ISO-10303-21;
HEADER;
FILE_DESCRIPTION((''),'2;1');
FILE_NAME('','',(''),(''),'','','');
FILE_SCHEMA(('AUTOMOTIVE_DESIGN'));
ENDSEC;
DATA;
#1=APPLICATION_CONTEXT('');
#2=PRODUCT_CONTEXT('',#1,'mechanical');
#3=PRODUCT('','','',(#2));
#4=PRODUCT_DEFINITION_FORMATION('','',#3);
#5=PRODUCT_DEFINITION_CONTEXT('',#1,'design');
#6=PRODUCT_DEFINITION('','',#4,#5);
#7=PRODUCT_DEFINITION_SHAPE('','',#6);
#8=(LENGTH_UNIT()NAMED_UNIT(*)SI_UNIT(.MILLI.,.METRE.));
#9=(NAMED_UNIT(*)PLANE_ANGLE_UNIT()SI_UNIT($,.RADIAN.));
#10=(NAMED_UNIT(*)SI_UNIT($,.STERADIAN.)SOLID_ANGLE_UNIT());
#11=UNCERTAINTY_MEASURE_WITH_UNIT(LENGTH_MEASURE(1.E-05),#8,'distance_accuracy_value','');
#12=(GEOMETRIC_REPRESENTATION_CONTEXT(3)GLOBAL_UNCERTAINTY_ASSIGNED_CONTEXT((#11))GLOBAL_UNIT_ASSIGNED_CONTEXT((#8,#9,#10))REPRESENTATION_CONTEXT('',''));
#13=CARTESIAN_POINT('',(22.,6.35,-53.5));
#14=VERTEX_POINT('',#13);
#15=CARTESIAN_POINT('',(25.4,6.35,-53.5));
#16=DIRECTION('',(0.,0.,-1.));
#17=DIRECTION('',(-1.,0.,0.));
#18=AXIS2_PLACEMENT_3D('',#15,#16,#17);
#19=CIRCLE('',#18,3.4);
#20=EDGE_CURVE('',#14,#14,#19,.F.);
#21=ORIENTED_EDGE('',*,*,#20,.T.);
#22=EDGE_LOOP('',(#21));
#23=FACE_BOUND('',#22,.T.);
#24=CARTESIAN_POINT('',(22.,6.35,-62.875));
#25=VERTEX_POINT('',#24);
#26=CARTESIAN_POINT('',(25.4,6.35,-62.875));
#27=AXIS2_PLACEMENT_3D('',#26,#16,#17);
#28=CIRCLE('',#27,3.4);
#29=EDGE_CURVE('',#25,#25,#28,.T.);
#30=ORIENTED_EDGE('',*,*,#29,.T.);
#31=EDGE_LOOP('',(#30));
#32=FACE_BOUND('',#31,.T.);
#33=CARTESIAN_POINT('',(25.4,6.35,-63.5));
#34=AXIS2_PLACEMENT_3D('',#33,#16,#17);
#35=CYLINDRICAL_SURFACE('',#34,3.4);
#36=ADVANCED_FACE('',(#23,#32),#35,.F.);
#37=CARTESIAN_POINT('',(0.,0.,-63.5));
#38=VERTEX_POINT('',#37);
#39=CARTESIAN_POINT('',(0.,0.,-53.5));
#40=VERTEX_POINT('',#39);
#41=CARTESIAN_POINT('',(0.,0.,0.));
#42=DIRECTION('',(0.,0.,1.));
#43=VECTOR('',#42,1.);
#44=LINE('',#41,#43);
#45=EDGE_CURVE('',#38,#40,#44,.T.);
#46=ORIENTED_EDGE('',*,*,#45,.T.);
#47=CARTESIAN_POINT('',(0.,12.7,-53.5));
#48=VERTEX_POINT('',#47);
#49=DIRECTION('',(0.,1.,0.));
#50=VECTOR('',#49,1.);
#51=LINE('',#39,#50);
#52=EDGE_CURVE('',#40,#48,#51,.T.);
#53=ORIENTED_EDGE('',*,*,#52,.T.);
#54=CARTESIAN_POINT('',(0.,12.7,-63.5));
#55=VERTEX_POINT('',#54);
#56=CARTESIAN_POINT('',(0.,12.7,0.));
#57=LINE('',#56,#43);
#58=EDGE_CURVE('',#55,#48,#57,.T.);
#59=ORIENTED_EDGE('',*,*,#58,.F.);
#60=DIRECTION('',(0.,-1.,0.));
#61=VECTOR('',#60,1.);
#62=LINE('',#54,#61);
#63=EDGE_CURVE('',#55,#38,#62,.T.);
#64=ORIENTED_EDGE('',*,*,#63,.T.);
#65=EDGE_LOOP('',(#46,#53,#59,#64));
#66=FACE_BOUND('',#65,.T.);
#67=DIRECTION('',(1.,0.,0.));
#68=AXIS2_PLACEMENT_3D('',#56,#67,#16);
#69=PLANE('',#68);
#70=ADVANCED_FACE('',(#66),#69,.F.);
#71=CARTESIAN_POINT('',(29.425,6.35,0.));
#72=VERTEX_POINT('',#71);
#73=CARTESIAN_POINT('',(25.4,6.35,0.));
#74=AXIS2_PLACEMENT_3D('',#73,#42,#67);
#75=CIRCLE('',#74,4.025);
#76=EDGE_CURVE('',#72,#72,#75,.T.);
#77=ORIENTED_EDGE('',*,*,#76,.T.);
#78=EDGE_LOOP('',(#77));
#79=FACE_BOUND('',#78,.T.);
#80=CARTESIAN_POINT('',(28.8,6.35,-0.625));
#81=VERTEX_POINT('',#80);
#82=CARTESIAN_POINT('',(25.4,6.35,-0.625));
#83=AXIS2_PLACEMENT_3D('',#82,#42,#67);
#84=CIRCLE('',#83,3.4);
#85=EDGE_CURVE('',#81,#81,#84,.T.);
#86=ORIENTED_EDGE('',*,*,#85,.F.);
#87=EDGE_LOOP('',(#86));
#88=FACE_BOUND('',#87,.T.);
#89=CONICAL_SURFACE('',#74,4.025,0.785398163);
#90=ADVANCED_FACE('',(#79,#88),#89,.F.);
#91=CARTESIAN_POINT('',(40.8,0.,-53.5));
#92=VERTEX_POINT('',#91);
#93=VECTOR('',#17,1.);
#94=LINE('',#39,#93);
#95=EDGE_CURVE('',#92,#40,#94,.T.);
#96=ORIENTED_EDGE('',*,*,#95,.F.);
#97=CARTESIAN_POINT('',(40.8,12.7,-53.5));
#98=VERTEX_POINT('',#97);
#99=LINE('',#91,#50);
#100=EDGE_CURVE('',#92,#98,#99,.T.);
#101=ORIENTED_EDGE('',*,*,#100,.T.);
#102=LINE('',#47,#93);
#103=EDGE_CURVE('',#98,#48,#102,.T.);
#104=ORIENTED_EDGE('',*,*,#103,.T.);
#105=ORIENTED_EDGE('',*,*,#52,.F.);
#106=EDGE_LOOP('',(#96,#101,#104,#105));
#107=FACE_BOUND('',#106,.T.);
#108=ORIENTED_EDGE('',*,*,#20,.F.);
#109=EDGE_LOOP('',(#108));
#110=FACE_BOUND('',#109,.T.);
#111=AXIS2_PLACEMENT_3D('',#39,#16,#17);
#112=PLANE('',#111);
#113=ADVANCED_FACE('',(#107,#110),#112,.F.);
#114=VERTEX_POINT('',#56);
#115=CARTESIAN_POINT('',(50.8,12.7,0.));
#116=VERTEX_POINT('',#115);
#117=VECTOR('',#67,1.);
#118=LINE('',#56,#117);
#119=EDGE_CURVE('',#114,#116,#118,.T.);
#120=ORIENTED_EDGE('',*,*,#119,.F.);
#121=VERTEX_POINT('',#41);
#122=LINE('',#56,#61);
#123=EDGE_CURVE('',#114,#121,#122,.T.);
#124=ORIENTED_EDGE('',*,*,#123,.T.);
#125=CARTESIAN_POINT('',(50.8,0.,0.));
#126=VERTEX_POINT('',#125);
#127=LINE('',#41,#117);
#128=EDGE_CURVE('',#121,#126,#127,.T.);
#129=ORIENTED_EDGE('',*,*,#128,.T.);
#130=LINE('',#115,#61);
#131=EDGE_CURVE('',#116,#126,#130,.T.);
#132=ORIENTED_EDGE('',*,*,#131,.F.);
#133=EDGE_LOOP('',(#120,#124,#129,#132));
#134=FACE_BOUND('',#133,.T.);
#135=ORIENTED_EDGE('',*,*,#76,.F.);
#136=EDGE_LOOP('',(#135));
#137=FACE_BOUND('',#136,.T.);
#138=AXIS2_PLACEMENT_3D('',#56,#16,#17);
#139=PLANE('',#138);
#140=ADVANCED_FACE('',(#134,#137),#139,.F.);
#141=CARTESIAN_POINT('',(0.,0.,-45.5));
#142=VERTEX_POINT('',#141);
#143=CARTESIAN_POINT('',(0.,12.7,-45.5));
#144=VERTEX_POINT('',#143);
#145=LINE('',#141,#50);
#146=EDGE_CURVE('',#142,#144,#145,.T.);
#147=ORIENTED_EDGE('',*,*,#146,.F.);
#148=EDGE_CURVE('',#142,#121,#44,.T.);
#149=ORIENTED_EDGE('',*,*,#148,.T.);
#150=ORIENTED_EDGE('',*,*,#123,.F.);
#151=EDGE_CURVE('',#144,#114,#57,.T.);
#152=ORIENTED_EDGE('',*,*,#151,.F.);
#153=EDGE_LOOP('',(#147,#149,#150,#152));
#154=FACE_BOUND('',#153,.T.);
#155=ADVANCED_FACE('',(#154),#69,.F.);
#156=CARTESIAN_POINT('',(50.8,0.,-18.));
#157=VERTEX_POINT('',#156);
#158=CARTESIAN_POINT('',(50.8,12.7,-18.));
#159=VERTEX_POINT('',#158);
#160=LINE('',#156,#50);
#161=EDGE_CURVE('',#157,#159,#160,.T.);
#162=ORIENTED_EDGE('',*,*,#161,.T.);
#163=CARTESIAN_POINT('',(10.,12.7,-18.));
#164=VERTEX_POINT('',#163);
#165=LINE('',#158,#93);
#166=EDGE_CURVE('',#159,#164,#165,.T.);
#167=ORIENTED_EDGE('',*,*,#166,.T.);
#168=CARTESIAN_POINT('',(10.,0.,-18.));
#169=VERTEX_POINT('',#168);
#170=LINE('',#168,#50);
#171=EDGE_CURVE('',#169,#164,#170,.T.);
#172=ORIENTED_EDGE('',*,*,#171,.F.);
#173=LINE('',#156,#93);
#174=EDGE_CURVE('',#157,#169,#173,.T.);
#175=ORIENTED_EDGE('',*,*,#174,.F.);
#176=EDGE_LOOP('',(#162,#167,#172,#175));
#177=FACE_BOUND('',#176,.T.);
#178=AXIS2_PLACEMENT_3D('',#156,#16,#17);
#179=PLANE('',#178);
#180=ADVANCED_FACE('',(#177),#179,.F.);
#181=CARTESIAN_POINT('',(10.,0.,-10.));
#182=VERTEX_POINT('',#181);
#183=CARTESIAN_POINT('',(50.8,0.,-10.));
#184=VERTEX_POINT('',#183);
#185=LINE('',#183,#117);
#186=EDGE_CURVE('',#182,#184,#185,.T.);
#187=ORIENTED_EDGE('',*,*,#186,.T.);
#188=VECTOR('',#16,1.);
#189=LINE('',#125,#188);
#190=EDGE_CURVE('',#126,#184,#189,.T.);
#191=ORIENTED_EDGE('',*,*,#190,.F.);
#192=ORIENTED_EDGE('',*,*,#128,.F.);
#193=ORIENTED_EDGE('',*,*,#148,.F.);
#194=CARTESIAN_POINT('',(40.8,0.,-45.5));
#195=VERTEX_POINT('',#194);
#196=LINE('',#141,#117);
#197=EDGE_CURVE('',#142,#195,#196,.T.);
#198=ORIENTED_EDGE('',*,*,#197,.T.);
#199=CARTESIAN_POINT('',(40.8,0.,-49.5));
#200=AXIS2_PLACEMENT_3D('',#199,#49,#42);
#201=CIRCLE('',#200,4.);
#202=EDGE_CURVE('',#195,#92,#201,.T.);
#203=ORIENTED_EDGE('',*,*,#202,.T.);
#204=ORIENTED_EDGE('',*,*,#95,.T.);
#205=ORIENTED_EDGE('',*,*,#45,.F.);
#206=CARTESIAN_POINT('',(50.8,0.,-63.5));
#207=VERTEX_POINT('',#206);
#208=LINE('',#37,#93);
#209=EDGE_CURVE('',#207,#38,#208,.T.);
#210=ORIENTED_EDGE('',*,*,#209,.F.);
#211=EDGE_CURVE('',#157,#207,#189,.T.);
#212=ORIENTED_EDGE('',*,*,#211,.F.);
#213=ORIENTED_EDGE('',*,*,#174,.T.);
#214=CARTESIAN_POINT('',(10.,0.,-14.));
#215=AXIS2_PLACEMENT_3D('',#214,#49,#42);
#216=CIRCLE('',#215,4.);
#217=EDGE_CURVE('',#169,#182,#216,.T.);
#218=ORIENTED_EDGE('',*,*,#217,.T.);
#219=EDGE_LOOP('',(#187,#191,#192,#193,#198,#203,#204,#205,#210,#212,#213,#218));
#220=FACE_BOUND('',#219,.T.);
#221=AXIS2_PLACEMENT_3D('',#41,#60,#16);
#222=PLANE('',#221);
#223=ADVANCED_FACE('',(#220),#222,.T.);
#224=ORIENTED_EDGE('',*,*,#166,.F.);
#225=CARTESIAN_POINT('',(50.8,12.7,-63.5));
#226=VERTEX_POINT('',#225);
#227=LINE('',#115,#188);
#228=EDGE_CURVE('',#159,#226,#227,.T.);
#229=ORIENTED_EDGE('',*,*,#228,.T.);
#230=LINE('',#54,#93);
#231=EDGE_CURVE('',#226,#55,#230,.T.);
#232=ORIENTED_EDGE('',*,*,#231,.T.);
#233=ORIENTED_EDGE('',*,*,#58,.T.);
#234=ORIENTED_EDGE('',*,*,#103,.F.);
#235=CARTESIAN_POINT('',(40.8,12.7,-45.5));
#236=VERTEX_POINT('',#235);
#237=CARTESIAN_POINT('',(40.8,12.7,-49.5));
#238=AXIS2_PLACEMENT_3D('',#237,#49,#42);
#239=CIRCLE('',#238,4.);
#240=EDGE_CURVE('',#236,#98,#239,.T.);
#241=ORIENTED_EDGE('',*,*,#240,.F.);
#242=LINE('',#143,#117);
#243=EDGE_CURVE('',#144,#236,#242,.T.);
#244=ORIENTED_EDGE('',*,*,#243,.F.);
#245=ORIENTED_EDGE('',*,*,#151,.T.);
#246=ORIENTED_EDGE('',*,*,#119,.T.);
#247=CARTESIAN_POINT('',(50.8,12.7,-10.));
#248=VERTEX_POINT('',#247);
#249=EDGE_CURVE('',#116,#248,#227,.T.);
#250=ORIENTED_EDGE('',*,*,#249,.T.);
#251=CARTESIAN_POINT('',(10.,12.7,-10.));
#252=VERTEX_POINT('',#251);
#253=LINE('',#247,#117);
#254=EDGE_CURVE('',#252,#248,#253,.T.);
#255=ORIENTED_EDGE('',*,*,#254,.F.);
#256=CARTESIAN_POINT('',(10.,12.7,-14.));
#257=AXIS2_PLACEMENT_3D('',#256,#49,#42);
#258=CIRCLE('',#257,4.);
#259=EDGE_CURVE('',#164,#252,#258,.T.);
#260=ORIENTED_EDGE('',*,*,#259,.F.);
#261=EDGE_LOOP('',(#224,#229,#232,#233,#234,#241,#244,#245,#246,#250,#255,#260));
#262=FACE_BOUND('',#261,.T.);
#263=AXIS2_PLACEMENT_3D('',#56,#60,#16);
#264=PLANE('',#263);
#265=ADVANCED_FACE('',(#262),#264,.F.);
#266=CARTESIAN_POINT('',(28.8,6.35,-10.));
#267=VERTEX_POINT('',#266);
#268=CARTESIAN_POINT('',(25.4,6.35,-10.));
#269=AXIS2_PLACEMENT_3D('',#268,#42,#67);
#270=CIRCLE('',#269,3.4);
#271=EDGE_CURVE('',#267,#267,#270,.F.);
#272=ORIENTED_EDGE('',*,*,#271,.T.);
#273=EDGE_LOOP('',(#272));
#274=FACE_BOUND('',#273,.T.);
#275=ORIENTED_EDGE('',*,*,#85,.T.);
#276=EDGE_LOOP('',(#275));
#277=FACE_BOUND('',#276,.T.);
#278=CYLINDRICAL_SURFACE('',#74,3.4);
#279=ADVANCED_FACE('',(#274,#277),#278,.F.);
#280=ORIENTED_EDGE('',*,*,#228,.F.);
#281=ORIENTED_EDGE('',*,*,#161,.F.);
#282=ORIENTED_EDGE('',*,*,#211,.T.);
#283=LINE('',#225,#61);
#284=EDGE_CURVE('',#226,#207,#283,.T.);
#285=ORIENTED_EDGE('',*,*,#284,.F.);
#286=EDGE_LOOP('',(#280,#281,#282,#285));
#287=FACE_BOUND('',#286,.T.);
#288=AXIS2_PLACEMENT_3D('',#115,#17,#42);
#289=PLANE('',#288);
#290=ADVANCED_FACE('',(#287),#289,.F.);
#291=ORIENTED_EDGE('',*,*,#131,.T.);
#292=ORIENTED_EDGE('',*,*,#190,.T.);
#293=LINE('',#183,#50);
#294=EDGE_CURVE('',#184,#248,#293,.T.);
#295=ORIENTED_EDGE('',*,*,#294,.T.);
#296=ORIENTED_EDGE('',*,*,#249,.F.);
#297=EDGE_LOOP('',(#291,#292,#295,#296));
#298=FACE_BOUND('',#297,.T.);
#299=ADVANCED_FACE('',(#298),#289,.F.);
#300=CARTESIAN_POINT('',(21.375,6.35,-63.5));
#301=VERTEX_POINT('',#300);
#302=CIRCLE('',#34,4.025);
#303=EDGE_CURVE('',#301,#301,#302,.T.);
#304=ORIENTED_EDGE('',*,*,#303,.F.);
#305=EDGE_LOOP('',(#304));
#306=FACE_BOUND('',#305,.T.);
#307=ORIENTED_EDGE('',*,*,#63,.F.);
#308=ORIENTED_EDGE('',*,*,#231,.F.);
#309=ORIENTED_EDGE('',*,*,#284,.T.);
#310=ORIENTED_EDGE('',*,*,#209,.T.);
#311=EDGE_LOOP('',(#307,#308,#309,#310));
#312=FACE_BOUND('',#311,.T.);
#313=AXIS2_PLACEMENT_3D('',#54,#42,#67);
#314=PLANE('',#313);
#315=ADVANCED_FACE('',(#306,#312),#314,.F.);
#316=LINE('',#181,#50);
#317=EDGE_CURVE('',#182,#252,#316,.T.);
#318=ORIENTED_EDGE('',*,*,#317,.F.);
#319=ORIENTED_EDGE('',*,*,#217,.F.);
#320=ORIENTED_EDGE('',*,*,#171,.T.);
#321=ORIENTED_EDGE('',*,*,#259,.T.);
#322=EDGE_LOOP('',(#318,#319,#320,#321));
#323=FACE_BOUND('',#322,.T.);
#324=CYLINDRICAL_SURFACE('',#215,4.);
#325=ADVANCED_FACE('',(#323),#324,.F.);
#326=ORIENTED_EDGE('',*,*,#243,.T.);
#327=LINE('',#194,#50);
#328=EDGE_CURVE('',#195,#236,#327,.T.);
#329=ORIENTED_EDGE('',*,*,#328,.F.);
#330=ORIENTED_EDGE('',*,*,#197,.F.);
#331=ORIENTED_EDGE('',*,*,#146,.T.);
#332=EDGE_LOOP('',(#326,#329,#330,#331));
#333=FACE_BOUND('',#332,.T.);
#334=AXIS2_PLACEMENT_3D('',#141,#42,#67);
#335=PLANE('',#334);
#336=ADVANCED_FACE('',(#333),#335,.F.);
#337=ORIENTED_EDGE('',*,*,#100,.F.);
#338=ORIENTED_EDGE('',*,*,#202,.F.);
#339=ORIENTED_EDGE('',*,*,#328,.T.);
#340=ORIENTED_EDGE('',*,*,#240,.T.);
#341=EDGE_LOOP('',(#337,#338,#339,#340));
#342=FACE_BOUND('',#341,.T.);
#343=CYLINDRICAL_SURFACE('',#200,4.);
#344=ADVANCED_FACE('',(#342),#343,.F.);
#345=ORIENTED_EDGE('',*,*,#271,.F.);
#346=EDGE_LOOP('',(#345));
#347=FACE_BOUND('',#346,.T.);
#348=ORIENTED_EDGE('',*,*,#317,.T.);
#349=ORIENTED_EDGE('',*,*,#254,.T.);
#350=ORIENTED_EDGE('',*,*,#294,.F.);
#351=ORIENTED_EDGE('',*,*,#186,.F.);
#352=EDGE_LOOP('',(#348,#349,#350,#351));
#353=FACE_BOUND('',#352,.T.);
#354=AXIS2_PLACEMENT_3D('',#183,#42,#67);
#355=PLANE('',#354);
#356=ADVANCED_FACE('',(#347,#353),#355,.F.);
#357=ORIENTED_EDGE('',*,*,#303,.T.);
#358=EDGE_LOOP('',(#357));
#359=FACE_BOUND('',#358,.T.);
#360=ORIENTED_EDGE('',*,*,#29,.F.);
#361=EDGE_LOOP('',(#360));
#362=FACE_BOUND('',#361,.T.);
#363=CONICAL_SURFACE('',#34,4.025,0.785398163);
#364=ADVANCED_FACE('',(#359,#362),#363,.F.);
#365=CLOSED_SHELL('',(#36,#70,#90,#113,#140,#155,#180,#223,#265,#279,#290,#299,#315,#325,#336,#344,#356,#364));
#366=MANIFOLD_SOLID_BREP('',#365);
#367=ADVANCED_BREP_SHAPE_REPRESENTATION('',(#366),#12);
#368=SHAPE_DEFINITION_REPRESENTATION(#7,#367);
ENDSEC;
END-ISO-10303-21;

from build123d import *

# Parameters (mm, degrees)
SKETCH1_W                        = 50.8
SKETCH1_H                        = 63.5
BOSS_EXTRUDE1_DEPTH              = 12.7
M8X1_25_TAPPED_HOLE1_D           = 6.8
M8X1_25_TAPPED_HOLE1_DEPTH       = 15
M8X1_25_TAPPED_HOLE1_CSINK_D     = 8.05
M8X1_25_TAPPED_HOLE1_CSINK_ANGLE = 90
M8X1_25_TAPPED_HOLE1_TIP         = 2.042926105
M8X1_25_TAPPED_HOLE2_D           = 6.8
M8X1_25_TAPPED_HOLE2_DEPTH       = 15
M8X1_25_TAPPED_HOLE2_CSINK_D     = 8.05
M8X1_25_TAPPED_HOLE2_CSINK_ANGLE = 90
M8X1_25_TAPPED_HOLE2_TIP         = 2.042926105
CUT_EXTRUDE1_DEPTH               = 13.7


with BuildPart() as part:
    # Sketch1 → Boss-Extrude1 (new body)
    with BuildSketch(Plane(origin=(0, 0, 0), x_dir=(1, 0, 0), z_dir=(0, 1, 0))):
        with Locations((25.4, 31.75)):
            Rectangle(SKETCH1_W, SKETCH1_H)
    extrude(amount=BOSS_EXTRUDE1_DEPTH)

    # M8x1.25 Tapped Hole1
    with Locations(Plane(origin=(0, 0, -63.5), x_dir=(-1, 0, 0), z_dir=(0, 0, -1))):
        with Locations((-25.4, 6.35)):
            CounterSinkHole(M8X1_25_TAPPED_HOLE1_D / 2, M8X1_25_TAPPED_HOLE1_CSINK_D / 2, depth=M8X1_25_TAPPED_HOLE1_DEPTH, counter_sink_angle=M8X1_25_TAPPED_HOLE1_CSINK_ANGLE)
            with Locations((0, 0, -(M8X1_25_TAPPED_HOLE1_DEPTH + M8X1_25_TAPPED_HOLE1_TIP / 2))):  # 118° drill point
                Cone(0, M8X1_25_TAPPED_HOLE1_D / 2, M8X1_25_TAPPED_HOLE1_TIP, mode=Mode.SUBTRACT)

    # M8x1.25 Tapped Hole2
    with Locations(Plane.XY):
        with Locations((25.4, 6.35)):
            CounterSinkHole(M8X1_25_TAPPED_HOLE2_D / 2, M8X1_25_TAPPED_HOLE2_CSINK_D / 2, depth=M8X1_25_TAPPED_HOLE2_DEPTH, counter_sink_angle=M8X1_25_TAPPED_HOLE2_CSINK_ANGLE)
            with Locations((0, 0, -(M8X1_25_TAPPED_HOLE2_DEPTH + M8X1_25_TAPPED_HOLE2_TIP / 2))):  # 118° drill point
                Cone(0, M8X1_25_TAPPED_HOLE2_D / 2, M8X1_25_TAPPED_HOLE2_TIP, mode=Mode.SUBTRACT)

    # Sketch9 → Cut-Extrude1 (cut, through all)
    with BuildSketch(Plane(origin=(0, 12.7, 0), x_dir=(1, 0, 0), z_dir=(0, 1, 0))):
        with BuildLine():
            Line((0, 53.5), (40.8, 53.5))
            ThreePointArc((40.8, 53.5), (44.8, 49.5), (40.8, 45.5))
            Line((40.8, 45.5), (0, 45.5))
            Line((0, 45.5), (0, 53.5))
        make_face()
        with BuildLine():
            Line((50.8, 18), (10, 18))
            ThreePointArc((10, 18), (6, 14), (10, 10))
            Line((10, 10), (50.8, 10))
            Line((50.8, 10), (50.8, 18))
        make_face()
    extrude(amount=-CUT_EXTRUDE1_DEPTH, mode=Mode.SUBTRACT)


solid = part.part
